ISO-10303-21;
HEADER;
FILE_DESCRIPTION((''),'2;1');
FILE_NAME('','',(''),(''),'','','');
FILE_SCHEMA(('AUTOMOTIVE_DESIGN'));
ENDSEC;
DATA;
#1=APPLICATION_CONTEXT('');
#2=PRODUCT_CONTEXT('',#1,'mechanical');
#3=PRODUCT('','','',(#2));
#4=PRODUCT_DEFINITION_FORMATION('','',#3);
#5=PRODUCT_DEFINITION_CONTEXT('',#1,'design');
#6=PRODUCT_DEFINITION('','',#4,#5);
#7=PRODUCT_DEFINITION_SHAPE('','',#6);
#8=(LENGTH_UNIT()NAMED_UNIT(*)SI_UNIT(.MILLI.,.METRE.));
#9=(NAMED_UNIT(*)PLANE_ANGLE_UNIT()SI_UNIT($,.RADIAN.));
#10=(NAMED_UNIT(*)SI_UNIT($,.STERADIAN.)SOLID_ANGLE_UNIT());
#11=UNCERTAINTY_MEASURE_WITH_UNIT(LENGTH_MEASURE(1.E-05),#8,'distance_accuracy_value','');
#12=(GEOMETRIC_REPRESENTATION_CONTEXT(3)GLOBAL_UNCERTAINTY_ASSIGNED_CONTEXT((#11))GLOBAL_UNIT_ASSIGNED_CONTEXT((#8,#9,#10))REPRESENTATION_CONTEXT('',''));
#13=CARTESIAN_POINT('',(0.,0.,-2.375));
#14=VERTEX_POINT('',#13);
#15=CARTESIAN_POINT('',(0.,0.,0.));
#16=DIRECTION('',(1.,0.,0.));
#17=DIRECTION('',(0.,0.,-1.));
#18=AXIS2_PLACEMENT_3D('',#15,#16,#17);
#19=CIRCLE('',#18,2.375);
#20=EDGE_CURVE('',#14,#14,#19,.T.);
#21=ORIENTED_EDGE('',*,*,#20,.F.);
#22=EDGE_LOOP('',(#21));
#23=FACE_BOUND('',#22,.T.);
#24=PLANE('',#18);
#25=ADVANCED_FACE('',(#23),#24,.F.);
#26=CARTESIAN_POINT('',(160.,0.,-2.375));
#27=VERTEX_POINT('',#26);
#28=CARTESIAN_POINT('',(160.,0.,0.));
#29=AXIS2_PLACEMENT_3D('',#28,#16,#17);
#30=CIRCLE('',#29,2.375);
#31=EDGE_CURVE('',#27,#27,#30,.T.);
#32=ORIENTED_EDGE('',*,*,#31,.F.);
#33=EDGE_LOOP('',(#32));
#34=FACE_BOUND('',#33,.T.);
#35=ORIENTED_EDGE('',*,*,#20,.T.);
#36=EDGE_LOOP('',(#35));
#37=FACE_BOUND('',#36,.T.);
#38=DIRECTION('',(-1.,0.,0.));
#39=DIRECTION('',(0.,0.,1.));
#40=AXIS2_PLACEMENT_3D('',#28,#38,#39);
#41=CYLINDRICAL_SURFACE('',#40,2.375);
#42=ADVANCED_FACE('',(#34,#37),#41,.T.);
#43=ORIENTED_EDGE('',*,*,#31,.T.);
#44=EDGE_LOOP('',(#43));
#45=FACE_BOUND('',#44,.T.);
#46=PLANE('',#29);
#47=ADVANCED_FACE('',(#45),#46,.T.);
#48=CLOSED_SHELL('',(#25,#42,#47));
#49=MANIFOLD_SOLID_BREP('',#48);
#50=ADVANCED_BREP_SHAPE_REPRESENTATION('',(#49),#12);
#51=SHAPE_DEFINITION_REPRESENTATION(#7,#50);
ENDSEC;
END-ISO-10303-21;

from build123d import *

# Parameters (mm, degrees)
SKETCH1_R           = 2.375
BOSS_EXTRUDE1_DEPTH = 160


with BuildPart() as part:
    # Sketch1 → Boss-Extrude1 (new body)
    with BuildSketch(Plane(origin=(0, 0, 0), x_dir=(0, 0, -1), z_dir=(1, 0, 0))):
        Circle(SKETCH1_R)
    extrude(amount=BOSS_EXTRUDE1_DEPTH)


solid = part.part
